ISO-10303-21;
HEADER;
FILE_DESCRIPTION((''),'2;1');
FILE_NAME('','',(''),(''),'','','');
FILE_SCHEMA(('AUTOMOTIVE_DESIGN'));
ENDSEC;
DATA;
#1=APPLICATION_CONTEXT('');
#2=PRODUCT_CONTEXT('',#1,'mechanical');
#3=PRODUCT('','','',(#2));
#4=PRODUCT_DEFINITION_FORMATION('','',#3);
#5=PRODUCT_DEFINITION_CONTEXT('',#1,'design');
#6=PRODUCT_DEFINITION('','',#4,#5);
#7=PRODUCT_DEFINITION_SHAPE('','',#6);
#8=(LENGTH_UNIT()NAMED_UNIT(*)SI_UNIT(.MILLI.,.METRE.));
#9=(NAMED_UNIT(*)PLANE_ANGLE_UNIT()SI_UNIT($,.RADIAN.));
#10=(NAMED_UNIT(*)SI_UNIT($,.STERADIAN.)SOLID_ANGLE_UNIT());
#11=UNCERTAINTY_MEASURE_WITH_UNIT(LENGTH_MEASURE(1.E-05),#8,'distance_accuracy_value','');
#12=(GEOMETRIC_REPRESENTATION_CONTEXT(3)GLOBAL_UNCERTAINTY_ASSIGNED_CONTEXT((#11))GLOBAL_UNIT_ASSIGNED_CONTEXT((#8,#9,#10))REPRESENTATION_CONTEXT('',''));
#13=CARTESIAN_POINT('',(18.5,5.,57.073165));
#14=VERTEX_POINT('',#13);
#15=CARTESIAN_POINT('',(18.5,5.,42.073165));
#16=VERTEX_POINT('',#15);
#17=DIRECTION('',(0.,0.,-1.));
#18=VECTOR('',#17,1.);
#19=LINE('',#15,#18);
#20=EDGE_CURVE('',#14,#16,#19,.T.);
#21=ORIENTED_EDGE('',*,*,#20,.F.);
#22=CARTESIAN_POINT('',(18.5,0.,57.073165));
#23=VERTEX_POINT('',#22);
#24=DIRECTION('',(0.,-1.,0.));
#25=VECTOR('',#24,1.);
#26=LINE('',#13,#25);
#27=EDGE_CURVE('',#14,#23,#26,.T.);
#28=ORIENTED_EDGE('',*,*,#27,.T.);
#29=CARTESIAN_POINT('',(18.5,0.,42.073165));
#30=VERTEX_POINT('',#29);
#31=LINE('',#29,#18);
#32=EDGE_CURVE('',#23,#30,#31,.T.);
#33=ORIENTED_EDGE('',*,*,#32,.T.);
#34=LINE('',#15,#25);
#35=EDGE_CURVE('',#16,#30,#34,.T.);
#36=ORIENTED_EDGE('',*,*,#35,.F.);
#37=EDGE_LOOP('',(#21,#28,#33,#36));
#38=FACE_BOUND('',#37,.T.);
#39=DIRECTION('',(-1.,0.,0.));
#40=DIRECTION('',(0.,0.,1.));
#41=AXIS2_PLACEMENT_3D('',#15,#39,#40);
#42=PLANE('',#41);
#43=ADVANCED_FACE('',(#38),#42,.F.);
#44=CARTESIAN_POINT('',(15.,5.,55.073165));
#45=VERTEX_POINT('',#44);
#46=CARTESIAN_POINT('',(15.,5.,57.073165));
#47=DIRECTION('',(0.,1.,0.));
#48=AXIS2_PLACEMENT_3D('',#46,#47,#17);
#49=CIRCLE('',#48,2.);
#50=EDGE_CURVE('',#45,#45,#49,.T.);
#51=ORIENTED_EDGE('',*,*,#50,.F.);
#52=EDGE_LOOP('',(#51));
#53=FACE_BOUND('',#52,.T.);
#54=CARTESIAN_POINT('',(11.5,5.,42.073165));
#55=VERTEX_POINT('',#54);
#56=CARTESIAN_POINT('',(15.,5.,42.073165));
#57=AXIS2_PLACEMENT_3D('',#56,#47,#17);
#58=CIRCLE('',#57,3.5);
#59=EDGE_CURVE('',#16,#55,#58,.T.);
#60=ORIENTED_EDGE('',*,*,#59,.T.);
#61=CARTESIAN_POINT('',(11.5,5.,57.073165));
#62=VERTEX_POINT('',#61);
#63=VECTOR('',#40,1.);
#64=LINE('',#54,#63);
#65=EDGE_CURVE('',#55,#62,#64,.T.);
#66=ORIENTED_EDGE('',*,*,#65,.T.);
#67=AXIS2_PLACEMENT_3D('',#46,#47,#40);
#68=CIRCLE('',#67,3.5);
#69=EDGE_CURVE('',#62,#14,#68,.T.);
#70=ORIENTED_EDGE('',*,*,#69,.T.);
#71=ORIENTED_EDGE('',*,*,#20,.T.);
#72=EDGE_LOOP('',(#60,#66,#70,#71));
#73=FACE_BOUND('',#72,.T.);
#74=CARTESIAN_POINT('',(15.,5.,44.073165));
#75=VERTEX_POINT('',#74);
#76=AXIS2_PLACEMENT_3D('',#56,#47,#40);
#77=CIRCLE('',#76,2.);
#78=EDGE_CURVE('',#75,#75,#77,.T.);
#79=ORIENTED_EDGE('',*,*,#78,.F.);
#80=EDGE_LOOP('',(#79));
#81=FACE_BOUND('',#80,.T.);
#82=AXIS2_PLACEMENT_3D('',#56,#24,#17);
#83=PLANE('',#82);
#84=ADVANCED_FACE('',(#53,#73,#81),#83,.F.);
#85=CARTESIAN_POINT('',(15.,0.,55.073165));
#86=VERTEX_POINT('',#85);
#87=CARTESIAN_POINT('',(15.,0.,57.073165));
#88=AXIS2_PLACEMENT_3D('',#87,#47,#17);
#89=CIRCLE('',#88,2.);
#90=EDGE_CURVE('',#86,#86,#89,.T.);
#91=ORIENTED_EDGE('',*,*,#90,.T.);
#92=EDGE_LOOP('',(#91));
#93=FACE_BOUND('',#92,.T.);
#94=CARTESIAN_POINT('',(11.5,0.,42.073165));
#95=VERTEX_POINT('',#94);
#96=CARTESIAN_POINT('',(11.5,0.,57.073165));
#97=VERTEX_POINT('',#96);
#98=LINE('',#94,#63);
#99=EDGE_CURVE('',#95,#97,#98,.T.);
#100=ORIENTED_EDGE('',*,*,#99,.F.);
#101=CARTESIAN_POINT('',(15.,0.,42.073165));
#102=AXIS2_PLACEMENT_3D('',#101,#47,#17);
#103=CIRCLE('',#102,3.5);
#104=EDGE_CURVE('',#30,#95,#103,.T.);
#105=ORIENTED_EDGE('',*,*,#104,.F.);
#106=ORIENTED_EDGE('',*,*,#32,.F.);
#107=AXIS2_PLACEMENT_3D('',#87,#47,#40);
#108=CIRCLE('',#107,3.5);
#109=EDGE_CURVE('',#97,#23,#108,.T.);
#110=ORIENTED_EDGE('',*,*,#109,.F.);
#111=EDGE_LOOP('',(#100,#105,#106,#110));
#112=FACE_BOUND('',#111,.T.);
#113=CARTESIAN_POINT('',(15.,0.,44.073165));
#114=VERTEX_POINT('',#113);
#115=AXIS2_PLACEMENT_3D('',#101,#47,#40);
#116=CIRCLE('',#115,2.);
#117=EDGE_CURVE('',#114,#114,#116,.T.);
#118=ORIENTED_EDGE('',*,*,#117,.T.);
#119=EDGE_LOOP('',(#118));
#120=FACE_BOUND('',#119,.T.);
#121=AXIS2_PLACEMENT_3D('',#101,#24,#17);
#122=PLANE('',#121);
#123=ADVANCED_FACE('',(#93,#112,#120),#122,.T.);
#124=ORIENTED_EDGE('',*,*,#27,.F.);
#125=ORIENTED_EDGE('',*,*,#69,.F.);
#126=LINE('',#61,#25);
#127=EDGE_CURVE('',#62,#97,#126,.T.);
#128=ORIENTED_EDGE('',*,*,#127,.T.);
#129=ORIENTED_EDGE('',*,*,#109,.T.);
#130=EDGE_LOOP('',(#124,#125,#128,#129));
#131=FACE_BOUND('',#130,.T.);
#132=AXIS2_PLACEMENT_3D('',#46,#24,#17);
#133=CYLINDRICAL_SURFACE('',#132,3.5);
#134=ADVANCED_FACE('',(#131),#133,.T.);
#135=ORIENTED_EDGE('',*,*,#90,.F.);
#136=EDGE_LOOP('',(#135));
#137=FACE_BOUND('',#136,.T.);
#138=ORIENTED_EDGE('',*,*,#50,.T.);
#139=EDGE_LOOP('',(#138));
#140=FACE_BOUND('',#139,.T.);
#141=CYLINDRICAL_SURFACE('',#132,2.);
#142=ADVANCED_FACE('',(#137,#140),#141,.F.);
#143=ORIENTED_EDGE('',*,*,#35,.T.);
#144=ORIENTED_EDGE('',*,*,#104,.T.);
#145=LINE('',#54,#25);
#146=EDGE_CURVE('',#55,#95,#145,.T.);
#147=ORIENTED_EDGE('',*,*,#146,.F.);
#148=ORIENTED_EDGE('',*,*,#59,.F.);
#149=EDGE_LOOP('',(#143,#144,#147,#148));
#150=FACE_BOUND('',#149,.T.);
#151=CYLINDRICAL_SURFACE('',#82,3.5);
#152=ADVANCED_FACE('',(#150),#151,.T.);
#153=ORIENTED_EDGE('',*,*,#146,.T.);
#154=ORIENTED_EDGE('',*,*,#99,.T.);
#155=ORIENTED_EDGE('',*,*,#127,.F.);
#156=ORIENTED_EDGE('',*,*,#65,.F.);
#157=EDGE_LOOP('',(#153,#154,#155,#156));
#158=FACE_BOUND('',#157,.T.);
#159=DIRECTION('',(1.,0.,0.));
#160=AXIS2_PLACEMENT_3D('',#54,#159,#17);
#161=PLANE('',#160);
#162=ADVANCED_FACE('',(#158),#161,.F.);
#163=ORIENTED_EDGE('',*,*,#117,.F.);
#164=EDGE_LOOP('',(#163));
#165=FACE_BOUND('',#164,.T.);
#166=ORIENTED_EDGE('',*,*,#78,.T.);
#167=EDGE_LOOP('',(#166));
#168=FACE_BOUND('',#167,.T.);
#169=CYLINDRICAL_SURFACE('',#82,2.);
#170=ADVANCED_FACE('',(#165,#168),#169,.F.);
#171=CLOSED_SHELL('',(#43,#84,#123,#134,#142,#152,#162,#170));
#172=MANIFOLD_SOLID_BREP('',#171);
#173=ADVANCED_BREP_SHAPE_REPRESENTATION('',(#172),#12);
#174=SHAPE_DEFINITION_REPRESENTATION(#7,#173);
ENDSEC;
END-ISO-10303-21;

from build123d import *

# Parameters (mm, degrees)
SKETCH1_R           = 2
BOSS_EXTRUDE1_DEPTH = 5


with BuildPart() as part:
    # Sketch1 → Boss-Extrude1 (new body)
    with BuildSketch(Plane(origin=(0, 0, 0), x_dir=(1, 0, 0), z_dir=(0, 1, 0))):
        with BuildLine():
            Line((18.5, -42.073164809), (18.5, -57.073164809))
            ThreePointArc((18.5, -57.073164809), (15, -60.573164809), (11.5, -57.073164809))
            Line((11.5, -57.073164809), (11.5, -42.073164809))
            ThreePointArc((11.5, -42.073164809), (15, -38.573164809), (18.5, -42.073164809))
        make_face()
        with Locations(Location((15, -42.073164809, 0), (0, 0, 270))):
            Circle(SKETCH1_R, mode=Mode.SUBTRACT)
        with Locations(Location((15, -57.073164809, 0), (0, 0, 90))):
            Circle(SKETCH1_R, mode=Mode.SUBTRACT)
    extrude(amount=BOSS_EXTRUDE1_DEPTH)


solid = part.part
